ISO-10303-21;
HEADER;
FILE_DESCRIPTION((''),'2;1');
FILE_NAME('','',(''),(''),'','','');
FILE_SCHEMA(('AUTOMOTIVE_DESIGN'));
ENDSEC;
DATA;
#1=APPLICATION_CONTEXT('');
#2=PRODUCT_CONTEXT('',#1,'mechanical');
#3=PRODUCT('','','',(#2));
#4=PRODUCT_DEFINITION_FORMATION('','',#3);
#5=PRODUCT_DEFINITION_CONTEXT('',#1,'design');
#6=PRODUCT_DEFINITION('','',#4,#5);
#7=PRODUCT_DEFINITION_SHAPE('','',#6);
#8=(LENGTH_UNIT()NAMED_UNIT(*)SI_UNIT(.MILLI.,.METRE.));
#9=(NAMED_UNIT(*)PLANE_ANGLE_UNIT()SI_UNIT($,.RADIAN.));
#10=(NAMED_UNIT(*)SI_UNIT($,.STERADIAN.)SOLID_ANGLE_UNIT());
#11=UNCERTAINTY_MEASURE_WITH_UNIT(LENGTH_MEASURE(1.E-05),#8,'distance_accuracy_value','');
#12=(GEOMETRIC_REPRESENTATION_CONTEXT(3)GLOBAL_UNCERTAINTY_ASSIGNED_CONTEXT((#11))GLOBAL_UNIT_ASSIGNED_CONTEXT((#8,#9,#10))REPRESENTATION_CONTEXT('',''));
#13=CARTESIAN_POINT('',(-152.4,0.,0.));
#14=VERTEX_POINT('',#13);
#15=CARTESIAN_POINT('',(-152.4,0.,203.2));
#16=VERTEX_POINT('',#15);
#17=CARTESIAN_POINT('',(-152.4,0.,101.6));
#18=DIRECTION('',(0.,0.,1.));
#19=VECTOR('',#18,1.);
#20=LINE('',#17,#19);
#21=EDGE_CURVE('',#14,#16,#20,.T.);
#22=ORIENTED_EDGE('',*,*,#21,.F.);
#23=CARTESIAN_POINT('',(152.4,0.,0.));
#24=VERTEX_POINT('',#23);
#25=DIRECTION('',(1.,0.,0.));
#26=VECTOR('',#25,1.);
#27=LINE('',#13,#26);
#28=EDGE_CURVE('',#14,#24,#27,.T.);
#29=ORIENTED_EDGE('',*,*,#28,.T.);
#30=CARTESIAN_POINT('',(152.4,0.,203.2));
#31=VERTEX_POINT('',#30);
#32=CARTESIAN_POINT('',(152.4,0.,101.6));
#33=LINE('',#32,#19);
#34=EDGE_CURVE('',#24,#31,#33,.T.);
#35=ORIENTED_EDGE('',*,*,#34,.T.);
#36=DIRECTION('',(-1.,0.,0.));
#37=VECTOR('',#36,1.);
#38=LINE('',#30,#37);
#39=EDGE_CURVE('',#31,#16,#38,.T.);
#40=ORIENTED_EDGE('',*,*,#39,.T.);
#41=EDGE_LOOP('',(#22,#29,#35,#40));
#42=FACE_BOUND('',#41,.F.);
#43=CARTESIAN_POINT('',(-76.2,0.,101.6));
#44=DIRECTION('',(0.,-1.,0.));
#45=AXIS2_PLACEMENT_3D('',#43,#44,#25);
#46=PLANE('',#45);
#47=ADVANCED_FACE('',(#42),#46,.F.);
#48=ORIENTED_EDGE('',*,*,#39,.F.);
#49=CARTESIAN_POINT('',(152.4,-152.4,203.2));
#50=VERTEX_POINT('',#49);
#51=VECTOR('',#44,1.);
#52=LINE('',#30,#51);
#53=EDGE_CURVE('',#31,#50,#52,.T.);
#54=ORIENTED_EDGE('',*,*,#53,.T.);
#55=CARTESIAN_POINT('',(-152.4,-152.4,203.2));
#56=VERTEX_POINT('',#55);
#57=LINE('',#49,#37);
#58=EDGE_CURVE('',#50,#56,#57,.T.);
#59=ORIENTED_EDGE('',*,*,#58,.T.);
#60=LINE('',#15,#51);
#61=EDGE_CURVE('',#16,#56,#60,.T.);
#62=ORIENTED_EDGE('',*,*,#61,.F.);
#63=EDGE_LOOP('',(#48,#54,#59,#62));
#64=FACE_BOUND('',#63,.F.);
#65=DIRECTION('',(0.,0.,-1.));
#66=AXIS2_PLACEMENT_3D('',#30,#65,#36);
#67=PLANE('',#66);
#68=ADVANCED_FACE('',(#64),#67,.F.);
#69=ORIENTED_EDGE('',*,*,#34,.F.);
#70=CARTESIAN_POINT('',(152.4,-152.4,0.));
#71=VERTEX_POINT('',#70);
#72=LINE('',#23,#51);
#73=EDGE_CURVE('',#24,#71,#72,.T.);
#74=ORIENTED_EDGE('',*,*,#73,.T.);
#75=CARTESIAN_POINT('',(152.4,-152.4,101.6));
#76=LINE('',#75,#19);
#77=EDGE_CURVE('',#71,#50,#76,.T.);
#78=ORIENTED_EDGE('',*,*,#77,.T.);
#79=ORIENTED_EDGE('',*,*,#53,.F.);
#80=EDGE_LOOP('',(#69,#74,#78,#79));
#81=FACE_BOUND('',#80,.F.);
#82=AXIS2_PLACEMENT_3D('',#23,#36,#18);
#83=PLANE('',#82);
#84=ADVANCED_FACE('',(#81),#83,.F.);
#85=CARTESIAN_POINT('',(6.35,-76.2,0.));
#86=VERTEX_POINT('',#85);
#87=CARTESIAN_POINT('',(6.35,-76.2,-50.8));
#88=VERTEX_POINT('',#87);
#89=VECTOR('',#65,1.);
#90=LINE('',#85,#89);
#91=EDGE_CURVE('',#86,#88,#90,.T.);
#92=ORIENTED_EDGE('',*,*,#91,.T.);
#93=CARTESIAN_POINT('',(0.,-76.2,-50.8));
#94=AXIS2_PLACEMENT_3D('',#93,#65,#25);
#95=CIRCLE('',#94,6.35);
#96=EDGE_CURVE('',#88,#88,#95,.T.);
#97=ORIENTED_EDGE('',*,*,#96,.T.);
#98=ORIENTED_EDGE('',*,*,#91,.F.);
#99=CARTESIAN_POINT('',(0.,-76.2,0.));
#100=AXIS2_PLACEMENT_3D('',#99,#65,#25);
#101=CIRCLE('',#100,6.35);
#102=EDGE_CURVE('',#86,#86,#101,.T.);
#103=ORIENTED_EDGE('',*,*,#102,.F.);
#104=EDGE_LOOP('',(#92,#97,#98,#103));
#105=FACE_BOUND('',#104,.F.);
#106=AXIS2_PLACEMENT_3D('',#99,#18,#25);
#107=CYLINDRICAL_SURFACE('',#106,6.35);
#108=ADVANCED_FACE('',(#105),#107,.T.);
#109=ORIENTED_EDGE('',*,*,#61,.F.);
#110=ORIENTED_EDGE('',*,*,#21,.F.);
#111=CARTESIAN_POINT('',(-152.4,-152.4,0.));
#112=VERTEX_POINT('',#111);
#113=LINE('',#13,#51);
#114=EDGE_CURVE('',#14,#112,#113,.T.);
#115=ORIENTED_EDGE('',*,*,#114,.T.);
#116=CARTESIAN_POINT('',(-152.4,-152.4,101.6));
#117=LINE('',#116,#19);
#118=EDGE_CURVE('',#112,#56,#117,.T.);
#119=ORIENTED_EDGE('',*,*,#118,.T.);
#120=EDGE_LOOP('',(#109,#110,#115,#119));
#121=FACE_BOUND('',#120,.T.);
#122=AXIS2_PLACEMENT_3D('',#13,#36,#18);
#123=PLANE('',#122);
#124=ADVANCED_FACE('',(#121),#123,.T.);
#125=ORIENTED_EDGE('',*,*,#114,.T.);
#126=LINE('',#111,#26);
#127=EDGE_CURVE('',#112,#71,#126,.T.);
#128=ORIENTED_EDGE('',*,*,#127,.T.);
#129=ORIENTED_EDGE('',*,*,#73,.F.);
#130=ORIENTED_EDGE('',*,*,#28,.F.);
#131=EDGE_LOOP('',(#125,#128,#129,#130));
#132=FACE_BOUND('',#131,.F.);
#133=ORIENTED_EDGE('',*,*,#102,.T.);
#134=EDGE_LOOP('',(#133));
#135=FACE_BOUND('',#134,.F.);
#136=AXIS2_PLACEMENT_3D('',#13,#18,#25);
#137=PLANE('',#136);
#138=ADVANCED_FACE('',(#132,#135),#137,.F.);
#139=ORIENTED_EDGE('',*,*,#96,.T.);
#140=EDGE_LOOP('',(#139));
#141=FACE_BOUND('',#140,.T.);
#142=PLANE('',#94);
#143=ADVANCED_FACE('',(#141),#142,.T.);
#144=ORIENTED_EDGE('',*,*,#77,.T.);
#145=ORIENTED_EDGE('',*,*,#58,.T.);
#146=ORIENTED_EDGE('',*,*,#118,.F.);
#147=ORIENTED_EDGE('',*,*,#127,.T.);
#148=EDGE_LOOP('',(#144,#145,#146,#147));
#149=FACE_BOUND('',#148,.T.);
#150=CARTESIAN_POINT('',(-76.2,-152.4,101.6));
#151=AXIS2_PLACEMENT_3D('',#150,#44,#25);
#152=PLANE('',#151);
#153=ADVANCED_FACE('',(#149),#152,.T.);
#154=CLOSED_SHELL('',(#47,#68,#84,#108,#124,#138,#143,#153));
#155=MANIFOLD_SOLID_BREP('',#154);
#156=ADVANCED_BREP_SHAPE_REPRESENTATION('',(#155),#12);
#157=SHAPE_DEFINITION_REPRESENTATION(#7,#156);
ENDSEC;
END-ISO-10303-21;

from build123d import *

# Parameters (mm, degrees)
F0_W     = 152.4
F0_H     = 203.2
F1_DEPTH = 152.4
F2_R     = 6.35
F3_DEPTH = 50.8


with BuildPart() as f1:
    # F0 (on Front) → F1 (new body)
    with BuildSketch(Plane.XZ):
        with Locations((-76.2, 101.6)):
            Rectangle(F0_W, F0_H)
        with Locations((76.2, 101.6)):
            Rectangle(F0_W, F0_H)
    extrude(amount=F1_DEPTH)

    # F2 (on face) → F3 (join)
    with BuildSketch(Plane(origin=(0, 0, 0), x_dir=(1, 0, 0), z_dir=(0, 0, -1))):
        with Locations((0, 76.2)):
            Circle(F2_R)
    extrude(amount=F3_DEPTH)


solid = f1.part
